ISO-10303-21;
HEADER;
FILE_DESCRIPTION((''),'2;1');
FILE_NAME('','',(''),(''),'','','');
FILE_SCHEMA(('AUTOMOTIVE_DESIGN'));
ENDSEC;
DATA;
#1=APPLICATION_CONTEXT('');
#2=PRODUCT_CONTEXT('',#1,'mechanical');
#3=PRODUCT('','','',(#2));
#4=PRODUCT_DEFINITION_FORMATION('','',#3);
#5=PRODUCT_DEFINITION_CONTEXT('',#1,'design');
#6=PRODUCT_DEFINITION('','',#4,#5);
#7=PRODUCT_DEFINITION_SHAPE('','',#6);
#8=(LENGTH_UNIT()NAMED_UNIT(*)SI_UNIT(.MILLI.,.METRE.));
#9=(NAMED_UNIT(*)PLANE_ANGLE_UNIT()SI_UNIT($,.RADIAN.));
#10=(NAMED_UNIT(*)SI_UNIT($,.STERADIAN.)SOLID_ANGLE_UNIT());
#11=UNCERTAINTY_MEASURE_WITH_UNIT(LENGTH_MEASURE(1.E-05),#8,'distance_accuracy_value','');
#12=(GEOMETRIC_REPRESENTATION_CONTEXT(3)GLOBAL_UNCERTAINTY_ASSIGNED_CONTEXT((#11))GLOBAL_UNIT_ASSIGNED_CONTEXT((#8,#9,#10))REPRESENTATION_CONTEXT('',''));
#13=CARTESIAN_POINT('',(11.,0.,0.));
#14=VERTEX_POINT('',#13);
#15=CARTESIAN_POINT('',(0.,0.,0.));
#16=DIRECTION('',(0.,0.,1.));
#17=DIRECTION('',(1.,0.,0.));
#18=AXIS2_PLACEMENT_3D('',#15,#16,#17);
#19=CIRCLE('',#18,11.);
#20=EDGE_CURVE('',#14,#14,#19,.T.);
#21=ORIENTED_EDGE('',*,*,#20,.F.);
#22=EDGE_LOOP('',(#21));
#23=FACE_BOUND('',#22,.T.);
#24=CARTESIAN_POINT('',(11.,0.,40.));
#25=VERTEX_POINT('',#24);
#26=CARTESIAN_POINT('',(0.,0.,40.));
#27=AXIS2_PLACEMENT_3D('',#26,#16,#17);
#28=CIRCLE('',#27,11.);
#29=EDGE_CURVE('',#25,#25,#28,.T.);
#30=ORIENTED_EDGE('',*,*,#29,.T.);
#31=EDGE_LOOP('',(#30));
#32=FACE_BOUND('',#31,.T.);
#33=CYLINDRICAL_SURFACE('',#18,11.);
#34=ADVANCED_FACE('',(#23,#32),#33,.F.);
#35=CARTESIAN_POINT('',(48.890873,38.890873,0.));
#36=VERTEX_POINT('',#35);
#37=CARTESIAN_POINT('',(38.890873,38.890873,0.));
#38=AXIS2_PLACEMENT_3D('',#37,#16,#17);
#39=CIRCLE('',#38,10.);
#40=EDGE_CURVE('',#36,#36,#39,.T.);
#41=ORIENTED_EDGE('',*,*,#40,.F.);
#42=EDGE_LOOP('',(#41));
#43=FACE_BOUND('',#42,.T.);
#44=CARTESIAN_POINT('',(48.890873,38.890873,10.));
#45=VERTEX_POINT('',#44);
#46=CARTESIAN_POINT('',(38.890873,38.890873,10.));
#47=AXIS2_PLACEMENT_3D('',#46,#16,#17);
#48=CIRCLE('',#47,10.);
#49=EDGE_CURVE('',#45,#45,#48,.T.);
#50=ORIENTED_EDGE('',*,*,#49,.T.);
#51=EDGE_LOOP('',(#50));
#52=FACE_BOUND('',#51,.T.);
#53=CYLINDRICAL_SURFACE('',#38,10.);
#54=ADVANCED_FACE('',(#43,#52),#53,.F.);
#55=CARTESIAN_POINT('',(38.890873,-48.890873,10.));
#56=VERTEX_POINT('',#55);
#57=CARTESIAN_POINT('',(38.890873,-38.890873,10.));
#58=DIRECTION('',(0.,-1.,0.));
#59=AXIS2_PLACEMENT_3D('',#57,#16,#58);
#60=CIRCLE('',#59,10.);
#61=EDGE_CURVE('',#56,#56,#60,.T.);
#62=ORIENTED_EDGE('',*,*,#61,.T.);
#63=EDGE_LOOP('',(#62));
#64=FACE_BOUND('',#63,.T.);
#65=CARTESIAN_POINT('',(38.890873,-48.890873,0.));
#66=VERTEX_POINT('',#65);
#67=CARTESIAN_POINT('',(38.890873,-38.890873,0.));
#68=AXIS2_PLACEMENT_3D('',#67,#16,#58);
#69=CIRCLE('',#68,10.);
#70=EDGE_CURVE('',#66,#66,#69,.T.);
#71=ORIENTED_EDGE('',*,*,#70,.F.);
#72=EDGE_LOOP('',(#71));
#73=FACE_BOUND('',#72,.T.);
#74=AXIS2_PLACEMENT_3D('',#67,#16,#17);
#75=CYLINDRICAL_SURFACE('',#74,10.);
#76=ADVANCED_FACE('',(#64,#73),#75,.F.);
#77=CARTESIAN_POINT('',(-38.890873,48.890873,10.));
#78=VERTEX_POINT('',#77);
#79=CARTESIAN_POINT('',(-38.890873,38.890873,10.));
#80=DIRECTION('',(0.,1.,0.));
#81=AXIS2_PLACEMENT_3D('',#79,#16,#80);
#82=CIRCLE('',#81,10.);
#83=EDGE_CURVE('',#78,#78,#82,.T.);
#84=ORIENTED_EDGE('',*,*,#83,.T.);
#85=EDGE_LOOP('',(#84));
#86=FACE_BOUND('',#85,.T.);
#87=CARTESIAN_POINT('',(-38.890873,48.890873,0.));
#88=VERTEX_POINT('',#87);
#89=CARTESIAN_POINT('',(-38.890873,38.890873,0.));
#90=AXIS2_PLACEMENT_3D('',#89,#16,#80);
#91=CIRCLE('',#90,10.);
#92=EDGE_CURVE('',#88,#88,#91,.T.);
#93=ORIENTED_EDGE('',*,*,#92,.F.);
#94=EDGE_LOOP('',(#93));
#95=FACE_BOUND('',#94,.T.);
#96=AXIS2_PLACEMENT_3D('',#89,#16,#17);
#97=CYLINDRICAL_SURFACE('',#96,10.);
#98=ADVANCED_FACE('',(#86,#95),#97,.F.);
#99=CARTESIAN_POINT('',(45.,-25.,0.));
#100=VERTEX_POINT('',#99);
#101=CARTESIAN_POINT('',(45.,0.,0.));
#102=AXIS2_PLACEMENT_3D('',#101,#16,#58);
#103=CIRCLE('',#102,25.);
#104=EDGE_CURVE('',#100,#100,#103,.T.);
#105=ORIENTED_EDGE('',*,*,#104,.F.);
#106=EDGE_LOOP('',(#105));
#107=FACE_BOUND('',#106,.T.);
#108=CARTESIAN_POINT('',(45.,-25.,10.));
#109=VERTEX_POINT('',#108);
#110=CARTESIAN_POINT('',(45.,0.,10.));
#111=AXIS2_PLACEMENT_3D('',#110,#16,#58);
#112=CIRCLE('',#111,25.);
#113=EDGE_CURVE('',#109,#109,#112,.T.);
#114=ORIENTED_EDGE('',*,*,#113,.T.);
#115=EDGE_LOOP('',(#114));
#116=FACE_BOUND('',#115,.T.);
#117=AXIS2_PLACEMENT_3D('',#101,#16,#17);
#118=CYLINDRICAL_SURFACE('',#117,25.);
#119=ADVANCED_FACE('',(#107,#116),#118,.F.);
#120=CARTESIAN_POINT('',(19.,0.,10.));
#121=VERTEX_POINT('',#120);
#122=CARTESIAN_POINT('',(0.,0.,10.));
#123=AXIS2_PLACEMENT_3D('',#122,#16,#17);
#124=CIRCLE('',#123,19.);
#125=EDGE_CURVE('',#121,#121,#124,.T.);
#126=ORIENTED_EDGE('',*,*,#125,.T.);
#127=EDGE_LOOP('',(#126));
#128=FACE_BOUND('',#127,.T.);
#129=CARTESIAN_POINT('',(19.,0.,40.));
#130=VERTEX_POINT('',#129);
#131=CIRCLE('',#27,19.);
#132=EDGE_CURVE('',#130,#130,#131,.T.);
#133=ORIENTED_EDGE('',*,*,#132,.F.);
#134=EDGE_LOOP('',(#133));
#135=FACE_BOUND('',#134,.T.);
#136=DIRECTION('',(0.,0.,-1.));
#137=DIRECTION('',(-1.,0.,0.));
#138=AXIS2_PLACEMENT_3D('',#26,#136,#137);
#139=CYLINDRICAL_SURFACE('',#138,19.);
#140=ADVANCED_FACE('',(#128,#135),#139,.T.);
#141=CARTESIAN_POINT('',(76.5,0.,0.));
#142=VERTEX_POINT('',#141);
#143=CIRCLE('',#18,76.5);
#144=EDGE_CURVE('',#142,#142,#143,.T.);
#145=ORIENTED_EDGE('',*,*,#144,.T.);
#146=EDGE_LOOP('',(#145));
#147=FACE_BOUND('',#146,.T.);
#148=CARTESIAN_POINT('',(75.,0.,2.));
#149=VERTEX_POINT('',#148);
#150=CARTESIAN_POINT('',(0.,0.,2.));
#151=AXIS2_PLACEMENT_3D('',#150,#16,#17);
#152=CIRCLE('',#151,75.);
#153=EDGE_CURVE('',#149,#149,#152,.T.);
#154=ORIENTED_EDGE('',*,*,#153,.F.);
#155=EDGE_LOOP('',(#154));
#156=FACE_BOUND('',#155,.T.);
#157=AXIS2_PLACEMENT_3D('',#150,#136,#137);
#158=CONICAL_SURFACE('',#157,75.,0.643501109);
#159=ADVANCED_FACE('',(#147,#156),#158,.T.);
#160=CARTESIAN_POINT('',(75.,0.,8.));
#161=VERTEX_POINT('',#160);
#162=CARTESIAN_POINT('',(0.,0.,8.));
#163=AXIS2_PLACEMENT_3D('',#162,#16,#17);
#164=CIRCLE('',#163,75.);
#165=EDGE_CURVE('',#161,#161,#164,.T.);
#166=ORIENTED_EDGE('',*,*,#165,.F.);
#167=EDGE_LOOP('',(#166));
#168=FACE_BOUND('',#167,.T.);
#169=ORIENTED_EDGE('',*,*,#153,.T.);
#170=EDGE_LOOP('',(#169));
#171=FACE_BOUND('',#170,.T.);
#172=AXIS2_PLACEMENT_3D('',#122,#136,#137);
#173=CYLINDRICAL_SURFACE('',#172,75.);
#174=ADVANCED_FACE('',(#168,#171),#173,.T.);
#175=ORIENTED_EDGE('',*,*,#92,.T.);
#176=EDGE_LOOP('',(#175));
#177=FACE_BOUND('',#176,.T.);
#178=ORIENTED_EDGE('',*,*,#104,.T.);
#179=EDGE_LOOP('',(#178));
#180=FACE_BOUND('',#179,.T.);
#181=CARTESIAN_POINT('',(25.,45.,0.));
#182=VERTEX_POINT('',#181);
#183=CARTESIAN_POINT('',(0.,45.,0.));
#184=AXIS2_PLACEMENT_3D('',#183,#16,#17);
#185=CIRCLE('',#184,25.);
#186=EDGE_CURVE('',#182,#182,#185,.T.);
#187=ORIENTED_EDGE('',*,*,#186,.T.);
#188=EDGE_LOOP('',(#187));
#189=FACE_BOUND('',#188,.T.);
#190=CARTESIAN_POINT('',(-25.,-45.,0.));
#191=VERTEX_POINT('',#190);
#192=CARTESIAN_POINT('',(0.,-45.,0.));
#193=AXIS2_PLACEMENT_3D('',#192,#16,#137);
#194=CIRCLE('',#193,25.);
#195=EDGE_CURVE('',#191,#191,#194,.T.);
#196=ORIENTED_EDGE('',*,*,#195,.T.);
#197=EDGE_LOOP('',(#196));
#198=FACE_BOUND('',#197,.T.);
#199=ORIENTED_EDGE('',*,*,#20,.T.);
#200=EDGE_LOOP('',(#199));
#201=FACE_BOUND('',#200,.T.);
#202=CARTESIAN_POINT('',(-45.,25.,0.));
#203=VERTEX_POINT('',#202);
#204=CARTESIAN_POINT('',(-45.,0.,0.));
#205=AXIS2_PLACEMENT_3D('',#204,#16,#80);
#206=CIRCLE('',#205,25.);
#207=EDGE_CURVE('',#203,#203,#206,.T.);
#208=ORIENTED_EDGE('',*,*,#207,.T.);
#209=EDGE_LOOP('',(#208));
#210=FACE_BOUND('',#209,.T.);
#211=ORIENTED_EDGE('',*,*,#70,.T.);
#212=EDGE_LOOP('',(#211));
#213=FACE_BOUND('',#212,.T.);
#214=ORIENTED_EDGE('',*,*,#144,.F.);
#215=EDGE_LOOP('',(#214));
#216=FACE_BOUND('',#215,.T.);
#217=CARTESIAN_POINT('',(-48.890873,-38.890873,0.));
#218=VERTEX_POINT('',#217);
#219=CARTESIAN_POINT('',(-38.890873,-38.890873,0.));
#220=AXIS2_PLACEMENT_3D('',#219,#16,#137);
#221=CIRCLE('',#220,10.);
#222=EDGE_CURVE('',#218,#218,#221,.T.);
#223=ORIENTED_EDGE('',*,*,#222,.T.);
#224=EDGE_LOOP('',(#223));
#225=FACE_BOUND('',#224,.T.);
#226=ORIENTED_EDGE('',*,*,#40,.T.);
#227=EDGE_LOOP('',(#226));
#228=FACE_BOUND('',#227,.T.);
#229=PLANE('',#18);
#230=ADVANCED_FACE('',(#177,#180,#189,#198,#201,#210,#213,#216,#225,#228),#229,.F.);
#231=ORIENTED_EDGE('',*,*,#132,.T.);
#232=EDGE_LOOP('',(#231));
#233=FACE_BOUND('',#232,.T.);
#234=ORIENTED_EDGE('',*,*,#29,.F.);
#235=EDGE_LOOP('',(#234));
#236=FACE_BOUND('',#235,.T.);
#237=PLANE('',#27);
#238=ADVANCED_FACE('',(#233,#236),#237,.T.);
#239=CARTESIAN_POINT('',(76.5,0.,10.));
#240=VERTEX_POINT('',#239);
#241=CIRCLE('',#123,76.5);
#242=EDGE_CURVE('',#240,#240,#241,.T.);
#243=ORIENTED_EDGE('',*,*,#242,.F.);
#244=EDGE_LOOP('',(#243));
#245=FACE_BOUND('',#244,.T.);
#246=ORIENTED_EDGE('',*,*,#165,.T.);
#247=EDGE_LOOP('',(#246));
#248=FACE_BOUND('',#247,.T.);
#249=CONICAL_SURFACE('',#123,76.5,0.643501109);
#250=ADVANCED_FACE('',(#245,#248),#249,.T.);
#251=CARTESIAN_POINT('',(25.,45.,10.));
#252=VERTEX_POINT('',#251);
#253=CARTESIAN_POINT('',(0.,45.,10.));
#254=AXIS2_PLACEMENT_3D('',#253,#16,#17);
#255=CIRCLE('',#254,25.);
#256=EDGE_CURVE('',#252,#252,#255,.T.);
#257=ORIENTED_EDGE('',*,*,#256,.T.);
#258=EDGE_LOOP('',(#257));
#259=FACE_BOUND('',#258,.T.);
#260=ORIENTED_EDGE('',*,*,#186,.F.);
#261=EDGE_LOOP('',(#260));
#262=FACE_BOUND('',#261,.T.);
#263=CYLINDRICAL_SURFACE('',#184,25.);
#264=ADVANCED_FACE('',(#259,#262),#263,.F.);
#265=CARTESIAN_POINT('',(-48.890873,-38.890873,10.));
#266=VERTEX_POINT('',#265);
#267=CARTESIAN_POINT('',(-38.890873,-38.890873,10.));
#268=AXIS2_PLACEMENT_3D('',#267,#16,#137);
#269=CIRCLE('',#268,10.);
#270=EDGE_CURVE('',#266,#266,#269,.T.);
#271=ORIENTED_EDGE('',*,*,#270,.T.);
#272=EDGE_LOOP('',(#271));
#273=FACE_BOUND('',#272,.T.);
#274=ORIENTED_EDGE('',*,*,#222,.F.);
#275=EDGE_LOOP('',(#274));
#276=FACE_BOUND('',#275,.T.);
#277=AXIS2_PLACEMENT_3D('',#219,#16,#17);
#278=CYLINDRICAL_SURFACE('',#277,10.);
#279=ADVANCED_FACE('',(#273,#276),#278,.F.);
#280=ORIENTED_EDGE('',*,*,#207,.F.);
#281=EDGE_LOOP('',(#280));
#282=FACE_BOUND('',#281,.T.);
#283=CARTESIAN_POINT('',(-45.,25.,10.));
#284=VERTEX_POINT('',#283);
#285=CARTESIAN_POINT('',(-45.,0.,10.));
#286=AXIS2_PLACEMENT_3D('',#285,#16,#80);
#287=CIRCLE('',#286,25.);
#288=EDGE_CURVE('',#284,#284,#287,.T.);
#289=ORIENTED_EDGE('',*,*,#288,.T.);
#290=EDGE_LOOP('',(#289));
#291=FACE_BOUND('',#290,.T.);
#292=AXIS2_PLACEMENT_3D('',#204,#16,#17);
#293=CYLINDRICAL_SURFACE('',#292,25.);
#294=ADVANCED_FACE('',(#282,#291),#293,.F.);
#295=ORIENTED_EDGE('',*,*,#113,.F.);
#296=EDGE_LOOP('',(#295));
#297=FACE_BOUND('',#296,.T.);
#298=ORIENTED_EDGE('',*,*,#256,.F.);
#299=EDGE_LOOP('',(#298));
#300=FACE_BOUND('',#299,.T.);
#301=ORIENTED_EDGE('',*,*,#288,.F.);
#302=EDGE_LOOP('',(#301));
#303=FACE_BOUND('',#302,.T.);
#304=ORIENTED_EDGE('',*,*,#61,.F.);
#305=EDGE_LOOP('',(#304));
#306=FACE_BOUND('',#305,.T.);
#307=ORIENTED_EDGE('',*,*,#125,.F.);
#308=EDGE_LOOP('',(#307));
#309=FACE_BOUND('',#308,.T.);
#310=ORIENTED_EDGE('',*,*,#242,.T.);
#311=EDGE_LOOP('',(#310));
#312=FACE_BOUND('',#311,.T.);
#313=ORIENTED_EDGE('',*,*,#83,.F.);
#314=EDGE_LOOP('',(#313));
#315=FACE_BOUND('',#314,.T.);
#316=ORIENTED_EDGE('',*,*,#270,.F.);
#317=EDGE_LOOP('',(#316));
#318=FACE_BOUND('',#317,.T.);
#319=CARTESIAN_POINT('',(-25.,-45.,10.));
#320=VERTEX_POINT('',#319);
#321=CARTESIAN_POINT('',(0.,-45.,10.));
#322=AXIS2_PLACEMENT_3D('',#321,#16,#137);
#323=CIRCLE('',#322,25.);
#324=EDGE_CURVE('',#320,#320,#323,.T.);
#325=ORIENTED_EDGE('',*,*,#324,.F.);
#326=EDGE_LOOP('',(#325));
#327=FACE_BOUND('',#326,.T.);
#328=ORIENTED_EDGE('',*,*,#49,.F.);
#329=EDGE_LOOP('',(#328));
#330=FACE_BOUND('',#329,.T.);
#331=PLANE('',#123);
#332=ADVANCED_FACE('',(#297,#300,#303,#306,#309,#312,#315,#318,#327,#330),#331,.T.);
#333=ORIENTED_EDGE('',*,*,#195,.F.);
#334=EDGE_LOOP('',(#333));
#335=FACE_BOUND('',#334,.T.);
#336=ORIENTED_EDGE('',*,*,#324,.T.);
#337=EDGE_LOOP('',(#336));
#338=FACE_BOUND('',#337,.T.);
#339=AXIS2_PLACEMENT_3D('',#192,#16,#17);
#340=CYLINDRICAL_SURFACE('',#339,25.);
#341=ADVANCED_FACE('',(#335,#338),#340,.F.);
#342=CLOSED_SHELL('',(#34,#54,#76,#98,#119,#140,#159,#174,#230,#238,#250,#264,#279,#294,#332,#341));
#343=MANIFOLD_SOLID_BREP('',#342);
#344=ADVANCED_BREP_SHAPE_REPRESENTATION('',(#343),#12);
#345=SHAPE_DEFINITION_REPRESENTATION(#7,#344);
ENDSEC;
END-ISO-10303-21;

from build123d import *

# Parameters (mm, degrees)
SKETCH1_R           = 75
BOSS_EXTRUDE1_DEPTH = 10
SKETCH2_R           = 19
BOSS_EXTRUDE2_DEPTH = 30
SKETCH3_R           = 11
CUT_EXTRUDE1_DEPTH  = 114.357840488
SKETCH5_R           = 25
CUT_EXTRUDE2_DEPTH  = 113.269764407
CIRPATTERN1_COUNT   = 4
SKETCH6_R           = 10
CUT_EXTRUDE3_DEPTH  = 113.269764407
CIRPATTERN2_COUNT   = 4


with BuildPart() as part:
    # Sketch1 → Boss-Extrude1 (new body)
    with BuildSketch(Plane.XY):
        Circle(SKETCH1_R)
    extrude(amount=BOSS_EXTRUDE1_DEPTH)

    # Sketch2 → Boss-Extrude2 (add)
    with BuildSketch(Plane.XY.offset(10)):
        Circle(SKETCH2_R)
    extrude(amount=BOSS_EXTRUDE2_DEPTH)

    # Sketch3 → Cut-Extrude1 (cut, through all)
    with BuildSketch(Plane.XY.offset(40)):
        Circle(SKETCH3_R)
    extrude(amount=-CUT_EXTRUDE1_DEPTH, mode=Mode.SUBTRACT)

    # Sketch4 → Revolve1 (revolve)
    with BuildSketch(Plane(origin=(0, 0, 0), x_dir=(1, 0, 0), z_dir=(0, 1, 0))):
        Polygon((75, 0), (76.5, 0), (75, -2), align=None)
        Polygon((75, -10), (76.5, -10), (75, -8), align=None)
    revolve(axis=Axis((0, 0, 40), (0, 0, -1)))

    # Sketch5 → Cut-Extrude2 (cut, through all)
    with BuildSketch(Plane.XY.offset(10)):
        with Locations((0, 45)):
            Circle(SKETCH5_R)
    cut_extrude2 = extrude(amount=-CUT_EXTRUDE2_DEPTH, mode=Mode.SUBTRACT)

    # CirPattern1: Cut-Extrude2 ×4 about axis
    cirpattern1_axis = Axis((0, 0, 0), (0, 0, 1))
    for i in range(1, CIRPATTERN1_COUNT):
        add(cut_extrude2.rotate(cirpattern1_axis, i * 360 / CIRPATTERN1_COUNT), mode=Mode.SUBTRACT)

    # Sketch6 → Cut-Extrude3 (cut, through all)
    with BuildSketch(Plane.XY.offset(10)):
        with Locations((38.890872965, 38.890872965)):
            Circle(SKETCH6_R)
    cut_extrude3 = extrude(amount=-CUT_EXTRUDE3_DEPTH, mode=Mode.SUBTRACT)

    # CirPattern2: Cut-Extrude3 ×4 about axis
    cirpattern2_axis = Axis((0, 0, 0), (0, 0, 1))
    for i in range(1, CIRPATTERN2_COUNT):
        add(cut_extrude3.rotate(cirpattern2_axis, i * 360 / CIRPATTERN2_COUNT), mode=Mode.SUBTRACT)


solid = part.part
